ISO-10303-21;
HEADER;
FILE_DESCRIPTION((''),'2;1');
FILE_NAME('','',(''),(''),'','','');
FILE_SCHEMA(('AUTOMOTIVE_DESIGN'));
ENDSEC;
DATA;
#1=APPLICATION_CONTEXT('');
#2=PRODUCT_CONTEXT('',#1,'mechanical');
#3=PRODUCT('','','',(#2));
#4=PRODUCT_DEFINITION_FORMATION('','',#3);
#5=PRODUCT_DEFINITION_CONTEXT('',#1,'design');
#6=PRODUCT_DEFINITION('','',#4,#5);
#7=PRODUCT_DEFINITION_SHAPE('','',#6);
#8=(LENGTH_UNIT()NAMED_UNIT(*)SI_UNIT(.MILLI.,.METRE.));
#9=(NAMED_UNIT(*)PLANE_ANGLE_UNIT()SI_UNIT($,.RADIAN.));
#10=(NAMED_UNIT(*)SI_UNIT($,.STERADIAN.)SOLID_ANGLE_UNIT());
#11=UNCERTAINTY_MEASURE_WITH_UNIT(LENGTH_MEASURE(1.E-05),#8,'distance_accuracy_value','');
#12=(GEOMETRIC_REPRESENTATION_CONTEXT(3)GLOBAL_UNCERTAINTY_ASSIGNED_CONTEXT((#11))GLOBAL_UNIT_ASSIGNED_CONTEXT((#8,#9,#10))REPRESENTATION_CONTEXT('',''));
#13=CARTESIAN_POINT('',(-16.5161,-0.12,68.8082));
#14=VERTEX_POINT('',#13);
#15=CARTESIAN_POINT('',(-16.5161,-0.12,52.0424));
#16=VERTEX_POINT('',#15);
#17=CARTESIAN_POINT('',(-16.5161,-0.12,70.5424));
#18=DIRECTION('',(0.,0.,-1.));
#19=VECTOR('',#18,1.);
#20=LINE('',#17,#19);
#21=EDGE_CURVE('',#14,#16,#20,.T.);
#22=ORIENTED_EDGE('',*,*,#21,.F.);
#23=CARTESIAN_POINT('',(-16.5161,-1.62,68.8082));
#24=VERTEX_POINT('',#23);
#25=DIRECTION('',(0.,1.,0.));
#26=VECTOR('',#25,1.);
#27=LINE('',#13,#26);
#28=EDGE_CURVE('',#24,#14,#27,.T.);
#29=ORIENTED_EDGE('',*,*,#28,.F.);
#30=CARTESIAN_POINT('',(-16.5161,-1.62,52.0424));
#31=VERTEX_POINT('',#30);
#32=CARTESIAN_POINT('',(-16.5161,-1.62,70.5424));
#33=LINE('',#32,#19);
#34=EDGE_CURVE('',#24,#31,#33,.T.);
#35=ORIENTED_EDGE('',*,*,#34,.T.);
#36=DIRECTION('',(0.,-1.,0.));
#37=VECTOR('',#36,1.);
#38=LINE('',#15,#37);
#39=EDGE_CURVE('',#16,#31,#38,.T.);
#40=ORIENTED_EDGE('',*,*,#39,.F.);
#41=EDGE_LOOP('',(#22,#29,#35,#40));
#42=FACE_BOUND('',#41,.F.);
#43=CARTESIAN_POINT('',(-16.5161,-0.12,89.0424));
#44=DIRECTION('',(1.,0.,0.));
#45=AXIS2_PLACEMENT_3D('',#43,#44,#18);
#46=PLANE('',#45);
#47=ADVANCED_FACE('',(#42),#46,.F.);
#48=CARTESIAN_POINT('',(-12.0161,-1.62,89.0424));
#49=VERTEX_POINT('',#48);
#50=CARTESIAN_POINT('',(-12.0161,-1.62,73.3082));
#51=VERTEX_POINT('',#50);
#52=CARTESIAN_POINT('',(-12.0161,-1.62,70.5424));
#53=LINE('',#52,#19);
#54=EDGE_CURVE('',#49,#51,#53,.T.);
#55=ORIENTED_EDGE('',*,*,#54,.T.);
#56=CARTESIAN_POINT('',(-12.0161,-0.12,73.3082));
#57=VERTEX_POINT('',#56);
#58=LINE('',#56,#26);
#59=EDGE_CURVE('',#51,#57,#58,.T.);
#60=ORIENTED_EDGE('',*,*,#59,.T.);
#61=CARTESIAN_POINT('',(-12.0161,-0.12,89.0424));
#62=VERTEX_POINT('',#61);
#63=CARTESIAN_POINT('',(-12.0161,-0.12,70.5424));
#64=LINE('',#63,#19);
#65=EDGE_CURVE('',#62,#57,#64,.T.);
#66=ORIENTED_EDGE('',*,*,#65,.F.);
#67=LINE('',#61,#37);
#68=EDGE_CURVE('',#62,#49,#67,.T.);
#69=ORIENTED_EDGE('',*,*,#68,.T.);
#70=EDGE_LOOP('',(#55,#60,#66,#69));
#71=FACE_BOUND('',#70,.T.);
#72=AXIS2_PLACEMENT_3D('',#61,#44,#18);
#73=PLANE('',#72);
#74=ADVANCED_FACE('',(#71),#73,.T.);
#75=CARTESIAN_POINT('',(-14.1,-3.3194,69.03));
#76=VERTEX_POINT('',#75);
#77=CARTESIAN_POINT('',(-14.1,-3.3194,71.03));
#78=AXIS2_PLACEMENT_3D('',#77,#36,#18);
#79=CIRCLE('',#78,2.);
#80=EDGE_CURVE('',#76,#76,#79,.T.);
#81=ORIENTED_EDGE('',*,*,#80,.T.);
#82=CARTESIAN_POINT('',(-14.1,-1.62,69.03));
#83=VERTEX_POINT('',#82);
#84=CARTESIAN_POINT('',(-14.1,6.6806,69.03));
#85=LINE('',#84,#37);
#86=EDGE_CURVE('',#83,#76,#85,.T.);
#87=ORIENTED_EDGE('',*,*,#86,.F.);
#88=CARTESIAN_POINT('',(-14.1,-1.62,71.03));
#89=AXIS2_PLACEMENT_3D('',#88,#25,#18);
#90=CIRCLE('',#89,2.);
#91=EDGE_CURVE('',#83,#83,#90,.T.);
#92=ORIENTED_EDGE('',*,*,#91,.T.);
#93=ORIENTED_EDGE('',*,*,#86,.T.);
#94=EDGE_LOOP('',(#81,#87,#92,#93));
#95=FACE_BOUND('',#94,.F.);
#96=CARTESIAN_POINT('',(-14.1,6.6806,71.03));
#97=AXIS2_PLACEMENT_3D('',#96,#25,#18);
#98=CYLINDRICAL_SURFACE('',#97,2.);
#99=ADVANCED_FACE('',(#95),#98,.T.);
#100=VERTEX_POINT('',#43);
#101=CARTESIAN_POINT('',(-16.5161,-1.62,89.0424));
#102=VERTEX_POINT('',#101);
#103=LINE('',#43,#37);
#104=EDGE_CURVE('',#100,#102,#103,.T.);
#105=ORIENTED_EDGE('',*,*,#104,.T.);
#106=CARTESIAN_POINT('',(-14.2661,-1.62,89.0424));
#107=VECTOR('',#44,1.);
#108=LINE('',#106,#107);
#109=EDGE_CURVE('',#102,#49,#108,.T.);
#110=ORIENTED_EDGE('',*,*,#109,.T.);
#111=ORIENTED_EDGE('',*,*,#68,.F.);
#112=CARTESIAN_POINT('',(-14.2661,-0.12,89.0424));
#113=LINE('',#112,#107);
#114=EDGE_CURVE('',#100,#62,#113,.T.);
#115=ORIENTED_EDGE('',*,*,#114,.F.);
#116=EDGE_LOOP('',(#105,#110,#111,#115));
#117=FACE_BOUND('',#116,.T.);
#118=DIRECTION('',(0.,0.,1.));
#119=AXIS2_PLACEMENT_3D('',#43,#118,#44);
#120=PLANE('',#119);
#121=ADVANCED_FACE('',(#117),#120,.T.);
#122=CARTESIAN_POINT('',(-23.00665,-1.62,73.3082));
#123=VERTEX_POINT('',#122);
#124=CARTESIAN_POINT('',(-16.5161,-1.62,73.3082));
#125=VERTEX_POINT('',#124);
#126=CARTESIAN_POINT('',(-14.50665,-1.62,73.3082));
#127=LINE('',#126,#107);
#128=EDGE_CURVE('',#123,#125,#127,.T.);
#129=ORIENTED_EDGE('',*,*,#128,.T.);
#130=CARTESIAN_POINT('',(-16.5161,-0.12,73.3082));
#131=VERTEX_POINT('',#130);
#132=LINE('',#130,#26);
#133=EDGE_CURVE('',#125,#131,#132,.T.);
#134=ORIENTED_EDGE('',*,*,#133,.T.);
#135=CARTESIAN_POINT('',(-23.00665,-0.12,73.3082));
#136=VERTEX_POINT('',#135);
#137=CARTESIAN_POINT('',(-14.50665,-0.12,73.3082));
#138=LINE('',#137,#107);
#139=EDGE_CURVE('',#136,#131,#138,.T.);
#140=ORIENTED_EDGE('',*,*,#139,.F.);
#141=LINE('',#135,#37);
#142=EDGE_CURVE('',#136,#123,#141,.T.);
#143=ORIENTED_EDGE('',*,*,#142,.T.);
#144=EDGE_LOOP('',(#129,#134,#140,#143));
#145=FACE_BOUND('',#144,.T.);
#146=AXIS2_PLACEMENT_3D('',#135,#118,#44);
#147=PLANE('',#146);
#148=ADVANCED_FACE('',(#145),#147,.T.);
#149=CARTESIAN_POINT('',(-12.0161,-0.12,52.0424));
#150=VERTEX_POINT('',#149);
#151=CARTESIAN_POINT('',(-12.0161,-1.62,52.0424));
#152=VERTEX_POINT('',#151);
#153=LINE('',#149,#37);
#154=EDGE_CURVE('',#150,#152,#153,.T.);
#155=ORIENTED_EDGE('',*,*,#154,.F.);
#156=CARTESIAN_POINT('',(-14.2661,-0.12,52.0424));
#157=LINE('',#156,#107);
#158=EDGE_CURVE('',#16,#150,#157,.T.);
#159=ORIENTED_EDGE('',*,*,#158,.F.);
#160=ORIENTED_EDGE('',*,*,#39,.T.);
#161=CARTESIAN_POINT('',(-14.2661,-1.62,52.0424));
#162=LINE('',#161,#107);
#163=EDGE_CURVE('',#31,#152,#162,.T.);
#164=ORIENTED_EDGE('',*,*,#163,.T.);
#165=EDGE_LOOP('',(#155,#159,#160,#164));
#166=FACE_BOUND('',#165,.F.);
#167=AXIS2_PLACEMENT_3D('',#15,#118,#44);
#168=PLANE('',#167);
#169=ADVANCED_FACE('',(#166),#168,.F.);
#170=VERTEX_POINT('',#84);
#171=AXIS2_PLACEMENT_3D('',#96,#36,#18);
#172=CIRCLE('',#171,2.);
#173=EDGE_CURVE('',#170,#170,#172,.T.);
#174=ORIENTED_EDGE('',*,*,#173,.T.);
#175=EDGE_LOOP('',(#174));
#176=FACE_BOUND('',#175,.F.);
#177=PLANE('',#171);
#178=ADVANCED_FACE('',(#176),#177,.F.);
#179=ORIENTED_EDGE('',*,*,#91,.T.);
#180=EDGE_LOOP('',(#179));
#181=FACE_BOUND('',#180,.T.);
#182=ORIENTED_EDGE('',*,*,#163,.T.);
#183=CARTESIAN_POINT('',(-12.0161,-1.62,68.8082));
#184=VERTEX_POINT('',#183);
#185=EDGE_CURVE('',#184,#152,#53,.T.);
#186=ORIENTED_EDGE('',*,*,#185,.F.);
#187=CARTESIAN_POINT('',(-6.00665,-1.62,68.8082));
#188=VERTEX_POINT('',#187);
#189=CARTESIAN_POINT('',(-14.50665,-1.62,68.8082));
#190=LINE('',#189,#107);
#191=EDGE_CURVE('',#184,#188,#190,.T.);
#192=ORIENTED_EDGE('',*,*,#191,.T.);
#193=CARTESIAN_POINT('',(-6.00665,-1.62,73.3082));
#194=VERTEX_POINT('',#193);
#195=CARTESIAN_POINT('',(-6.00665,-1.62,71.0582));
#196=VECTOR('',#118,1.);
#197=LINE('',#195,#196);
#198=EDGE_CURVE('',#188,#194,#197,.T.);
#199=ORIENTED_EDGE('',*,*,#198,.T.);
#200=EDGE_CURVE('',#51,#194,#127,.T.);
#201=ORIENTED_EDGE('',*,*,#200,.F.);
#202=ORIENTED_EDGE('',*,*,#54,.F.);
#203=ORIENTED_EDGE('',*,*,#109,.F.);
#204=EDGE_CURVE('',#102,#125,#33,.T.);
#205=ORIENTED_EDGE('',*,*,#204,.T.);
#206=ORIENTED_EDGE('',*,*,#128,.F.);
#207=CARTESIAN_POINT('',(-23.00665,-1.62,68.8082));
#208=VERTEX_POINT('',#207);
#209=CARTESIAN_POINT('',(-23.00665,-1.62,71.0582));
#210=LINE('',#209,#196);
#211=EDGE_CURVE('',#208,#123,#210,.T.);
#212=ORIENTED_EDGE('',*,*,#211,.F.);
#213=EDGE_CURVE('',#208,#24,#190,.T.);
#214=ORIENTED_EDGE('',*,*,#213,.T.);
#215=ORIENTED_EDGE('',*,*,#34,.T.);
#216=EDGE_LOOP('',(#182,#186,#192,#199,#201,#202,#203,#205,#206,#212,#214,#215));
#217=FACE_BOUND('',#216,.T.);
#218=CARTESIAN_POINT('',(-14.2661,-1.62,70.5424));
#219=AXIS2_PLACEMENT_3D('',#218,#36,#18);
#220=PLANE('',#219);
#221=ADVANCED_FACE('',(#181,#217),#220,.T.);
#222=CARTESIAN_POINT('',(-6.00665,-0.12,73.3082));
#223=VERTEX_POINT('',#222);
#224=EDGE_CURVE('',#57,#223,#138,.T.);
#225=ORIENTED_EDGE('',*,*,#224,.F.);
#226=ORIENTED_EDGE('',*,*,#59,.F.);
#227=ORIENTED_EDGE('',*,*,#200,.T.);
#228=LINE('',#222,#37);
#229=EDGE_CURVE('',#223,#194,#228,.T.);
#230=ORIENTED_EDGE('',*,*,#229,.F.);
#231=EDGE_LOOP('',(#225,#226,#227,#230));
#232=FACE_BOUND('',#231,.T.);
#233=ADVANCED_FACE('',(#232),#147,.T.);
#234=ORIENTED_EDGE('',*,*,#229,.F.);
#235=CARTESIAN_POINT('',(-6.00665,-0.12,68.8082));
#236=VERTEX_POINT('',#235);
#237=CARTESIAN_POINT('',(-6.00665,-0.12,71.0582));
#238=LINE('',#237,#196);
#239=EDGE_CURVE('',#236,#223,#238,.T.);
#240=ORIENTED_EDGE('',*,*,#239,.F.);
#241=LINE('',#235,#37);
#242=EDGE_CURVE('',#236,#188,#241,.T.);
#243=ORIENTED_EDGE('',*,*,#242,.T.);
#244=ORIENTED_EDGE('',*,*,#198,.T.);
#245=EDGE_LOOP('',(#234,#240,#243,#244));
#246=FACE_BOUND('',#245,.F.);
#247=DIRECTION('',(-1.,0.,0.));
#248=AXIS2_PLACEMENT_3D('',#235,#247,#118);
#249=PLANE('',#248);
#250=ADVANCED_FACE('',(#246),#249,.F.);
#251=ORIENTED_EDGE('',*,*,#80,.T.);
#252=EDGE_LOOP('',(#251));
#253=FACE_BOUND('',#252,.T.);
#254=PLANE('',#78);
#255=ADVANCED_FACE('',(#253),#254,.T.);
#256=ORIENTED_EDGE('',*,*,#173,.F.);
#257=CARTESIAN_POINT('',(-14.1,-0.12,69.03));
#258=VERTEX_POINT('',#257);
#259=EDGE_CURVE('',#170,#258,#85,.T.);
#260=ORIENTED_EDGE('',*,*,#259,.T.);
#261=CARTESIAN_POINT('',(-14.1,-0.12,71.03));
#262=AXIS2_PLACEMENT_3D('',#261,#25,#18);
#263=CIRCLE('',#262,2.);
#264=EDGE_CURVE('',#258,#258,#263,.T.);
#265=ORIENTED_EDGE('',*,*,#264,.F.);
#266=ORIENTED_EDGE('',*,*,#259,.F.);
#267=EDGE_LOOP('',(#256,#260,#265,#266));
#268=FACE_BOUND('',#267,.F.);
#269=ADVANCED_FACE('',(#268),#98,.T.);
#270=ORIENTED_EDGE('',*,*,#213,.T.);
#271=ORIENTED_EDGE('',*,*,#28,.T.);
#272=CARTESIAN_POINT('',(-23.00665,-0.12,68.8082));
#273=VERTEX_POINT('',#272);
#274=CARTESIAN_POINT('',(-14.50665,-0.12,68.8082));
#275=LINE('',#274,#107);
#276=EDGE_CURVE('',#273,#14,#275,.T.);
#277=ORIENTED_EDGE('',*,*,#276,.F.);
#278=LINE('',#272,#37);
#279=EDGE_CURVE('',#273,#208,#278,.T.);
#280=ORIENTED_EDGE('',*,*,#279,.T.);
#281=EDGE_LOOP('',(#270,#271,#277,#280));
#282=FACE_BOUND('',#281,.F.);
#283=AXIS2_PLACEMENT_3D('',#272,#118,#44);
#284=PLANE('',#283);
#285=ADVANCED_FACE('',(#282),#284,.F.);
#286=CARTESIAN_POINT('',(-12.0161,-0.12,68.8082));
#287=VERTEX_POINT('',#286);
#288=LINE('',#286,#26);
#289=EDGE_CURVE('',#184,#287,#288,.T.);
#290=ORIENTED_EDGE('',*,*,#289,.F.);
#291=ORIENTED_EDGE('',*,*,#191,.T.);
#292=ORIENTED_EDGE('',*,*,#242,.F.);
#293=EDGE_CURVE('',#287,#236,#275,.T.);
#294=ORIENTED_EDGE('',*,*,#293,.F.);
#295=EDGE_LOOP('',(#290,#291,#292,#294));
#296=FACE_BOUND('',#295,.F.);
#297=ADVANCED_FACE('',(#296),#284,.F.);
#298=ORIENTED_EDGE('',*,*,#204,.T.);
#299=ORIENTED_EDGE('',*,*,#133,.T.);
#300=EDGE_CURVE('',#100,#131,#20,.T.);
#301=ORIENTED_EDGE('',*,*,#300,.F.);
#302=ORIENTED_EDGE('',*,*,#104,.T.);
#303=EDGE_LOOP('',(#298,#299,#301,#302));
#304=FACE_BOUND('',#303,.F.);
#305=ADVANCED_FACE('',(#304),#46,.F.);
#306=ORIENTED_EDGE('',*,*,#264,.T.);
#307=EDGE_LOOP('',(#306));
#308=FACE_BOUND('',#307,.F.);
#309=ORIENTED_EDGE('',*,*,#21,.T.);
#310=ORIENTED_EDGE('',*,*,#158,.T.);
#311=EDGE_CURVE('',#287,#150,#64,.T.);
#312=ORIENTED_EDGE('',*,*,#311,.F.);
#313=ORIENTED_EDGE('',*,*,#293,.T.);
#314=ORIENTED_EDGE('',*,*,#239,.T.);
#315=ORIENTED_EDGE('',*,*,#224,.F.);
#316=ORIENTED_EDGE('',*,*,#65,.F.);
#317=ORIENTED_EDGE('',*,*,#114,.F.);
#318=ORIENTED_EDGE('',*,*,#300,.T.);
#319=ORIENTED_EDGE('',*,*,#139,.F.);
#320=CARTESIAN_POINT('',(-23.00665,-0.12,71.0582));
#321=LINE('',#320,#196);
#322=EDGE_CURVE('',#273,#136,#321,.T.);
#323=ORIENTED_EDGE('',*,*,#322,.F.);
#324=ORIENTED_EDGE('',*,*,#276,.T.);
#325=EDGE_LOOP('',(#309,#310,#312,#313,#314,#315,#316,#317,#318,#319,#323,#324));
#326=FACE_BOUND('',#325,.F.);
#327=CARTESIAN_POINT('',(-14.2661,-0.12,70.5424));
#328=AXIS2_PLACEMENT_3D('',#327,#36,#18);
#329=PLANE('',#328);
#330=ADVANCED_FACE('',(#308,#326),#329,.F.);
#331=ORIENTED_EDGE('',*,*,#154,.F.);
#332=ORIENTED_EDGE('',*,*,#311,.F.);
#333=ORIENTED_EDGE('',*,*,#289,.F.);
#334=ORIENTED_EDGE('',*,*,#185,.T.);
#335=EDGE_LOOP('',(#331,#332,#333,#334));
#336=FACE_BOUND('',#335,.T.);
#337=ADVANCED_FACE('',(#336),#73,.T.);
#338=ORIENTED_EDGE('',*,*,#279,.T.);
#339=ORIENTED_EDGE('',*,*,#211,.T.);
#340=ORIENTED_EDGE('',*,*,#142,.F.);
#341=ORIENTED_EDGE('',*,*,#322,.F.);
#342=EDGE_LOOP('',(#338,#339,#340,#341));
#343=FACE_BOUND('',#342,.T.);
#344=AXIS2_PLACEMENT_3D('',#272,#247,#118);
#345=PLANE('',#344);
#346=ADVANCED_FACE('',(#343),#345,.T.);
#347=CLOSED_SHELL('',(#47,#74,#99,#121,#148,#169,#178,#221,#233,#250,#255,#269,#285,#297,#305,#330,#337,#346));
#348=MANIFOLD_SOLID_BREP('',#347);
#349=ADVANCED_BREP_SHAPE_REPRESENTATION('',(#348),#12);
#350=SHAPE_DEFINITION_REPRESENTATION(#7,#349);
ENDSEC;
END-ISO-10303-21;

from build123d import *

# Parameters (mm, degrees)
CYLINDER037_R             = 2
CYLINDER037_DEPTH         = 10
BOX005_W                  = 37
BOX005_H                  = 4.5
BOX005_DEPTH              = 1.5
BOX006_W                  = 17
BOX006_H                  = 4.5
BOX006_DEPTH              = 1.5
BOX006_PLACEMENT_ANGLE    = 90
FUSION006_PITCH_ANGLE     = 90
FUSION006_PLACEMENT_ANGLE = -90


with BuildPart() as cylinder037:
    # Cylinder037 → Cylinder037 (new body)
    with BuildSketch(Plane(origin=(34.5, 34.5, 10.7594), x_dir=(1, 0, 0), z_dir=(0, 0, 1))):
        Circle(CYLINDER037_R)
    extrude(amount=CYLINDER037_DEPTH)


with BuildPart() as box005:
    # Box005 → Box005 (new body)
    with BuildSketch(Plane.XY):
        with Locations((18.5, 2.25)):
            Rectangle(BOX005_W, BOX005_H)
    extrude(amount=BOX005_DEPTH)


with BuildPart() as fusion006:
    # Box006 → Box006 (new body)
    with BuildSketch(Plane.XY):
        with Locations((8.5, 2.25)):
            Rectangle(BOX006_W, BOX006_H)
    extrude(amount=BOX006_DEPTH)


with BuildPart() as fusion006_1:
    # Box006 placement: moved
    add(fusion006.part.moved(Location((20.2342, -6.49055, 0))).rotate(Axis((20.2342, -6.49055, 0), (0, 0, 1)), BOX006_PLACEMENT_ANGLE))

    # Fusion004: union Box005
    add(box005.part)


with BuildPart() as fusion006_2:
    # Fusion004 placement: moved
    add(fusion006_1.part.moved(Location((16.4876, 32.0839, 17.56))))

    # Fusion006: union Cylinder037
    add(cylinder037.part)


with BuildPart() as fusion006_3:
    # Fusion006 pitch: moved
    add(fusion006_2.part.rotate(Axis((0, 0, 0), (0, 1, 0)), FUSION006_PITCH_ANGLE))


with BuildPart() as fusion006_4:
    # Fusion006 placement: moved
    add(fusion006_3.part.moved(Location((-48.6, 17.44, 105.53))).rotate(Axis((-48.6, 17.44, 105.53), (0, 0, 1)), FUSION006_PLACEMENT_ANGLE))


solid = fusion006_4.part
